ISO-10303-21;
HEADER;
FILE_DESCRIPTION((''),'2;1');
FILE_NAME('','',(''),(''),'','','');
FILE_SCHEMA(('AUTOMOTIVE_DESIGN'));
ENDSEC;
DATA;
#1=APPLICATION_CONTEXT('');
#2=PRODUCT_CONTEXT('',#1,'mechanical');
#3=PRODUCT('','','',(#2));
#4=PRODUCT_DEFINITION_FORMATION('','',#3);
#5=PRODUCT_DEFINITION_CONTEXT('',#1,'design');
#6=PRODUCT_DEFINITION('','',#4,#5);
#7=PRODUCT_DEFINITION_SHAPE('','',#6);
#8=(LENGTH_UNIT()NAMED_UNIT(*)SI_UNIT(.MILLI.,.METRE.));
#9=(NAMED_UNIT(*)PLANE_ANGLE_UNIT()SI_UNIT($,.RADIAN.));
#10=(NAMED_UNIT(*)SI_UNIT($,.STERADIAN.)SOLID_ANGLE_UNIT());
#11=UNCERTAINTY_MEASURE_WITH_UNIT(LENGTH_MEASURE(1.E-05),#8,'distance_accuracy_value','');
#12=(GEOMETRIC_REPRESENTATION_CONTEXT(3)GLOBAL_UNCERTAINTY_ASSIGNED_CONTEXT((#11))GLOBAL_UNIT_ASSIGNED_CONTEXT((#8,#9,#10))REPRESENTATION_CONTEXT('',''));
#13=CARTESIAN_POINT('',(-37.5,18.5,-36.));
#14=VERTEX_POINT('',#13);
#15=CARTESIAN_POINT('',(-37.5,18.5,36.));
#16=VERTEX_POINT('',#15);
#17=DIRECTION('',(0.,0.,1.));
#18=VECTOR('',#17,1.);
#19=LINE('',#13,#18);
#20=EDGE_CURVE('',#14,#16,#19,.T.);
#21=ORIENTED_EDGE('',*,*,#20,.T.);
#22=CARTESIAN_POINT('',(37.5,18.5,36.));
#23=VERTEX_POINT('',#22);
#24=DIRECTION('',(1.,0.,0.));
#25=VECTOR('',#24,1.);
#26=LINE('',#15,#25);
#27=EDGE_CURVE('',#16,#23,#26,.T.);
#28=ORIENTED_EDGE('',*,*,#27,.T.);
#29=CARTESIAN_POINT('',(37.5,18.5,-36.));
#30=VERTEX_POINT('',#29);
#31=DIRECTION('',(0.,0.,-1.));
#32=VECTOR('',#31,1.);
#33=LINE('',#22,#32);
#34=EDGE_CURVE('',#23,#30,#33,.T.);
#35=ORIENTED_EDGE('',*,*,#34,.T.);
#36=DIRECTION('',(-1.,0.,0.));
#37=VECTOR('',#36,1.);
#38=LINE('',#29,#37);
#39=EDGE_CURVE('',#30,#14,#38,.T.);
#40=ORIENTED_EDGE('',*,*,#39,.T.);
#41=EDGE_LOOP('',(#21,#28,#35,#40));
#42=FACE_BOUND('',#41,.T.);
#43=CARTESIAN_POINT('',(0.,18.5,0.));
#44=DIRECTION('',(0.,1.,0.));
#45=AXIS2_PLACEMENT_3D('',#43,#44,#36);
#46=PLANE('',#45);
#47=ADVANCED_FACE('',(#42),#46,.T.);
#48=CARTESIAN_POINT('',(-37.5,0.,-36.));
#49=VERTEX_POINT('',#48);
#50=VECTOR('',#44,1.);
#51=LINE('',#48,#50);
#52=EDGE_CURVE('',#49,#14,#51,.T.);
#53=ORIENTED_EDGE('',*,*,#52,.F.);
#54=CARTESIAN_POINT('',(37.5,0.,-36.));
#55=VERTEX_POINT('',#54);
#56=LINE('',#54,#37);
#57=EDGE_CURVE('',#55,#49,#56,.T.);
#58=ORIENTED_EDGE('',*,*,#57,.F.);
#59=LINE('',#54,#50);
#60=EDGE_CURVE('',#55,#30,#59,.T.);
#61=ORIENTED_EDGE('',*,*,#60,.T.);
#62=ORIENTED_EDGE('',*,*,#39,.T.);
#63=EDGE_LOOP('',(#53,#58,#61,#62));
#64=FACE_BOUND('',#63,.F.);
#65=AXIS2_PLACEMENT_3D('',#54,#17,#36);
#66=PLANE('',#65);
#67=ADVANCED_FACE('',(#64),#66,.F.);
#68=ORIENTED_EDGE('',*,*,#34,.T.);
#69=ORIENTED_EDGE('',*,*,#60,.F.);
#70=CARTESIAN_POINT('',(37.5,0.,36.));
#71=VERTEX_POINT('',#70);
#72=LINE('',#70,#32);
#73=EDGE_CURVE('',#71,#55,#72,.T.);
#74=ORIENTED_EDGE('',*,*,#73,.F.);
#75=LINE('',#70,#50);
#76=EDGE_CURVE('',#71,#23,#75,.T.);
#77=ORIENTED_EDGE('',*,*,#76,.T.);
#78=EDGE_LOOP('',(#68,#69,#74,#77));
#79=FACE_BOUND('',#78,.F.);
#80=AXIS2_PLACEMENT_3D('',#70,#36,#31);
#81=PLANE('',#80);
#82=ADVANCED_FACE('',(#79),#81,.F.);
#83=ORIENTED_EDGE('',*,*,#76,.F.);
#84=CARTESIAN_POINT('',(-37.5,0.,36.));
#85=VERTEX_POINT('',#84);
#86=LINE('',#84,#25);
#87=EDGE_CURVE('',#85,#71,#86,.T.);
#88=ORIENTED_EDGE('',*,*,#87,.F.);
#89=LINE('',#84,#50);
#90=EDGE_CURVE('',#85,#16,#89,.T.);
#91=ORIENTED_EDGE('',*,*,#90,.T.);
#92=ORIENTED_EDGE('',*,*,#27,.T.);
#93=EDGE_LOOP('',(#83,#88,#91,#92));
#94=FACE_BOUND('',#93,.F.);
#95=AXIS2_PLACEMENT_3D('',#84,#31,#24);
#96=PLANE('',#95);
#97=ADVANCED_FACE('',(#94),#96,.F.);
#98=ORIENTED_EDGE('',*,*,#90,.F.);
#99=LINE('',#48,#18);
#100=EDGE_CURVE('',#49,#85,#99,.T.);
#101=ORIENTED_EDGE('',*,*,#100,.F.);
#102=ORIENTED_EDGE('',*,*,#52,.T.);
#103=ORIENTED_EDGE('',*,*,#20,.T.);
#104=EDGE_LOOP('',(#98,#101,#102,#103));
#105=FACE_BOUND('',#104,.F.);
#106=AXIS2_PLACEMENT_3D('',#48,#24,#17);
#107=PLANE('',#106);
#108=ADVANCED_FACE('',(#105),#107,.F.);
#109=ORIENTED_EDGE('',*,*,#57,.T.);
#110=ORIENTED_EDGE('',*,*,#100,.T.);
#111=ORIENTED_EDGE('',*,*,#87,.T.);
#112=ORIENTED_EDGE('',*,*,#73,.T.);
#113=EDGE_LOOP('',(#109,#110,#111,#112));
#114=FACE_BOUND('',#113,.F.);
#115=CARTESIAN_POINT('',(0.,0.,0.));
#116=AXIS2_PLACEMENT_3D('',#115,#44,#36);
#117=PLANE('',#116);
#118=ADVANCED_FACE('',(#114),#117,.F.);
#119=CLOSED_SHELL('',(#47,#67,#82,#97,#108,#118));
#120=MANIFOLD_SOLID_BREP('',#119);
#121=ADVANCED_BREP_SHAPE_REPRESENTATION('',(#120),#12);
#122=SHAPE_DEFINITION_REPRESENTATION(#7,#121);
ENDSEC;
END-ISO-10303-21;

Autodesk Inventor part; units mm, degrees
ref_plane "YZ Plane" through (0, 0, 0) normal (1, 0, 0) x (0, 1, 0)
ref_plane "XZ Plane" through (0, 0, 0) normal (0, 1, 0) x (-1, 0, 0)
ref_plane "XY Plane" through (0, 0, 0) normal (0, 0, 1) x (1, 0, 0)
sketch "Szkic1" plane through (0, 0, 0) normal (0, 1, 0) x (-1, 0, 0)
  line L0 (37.5, 36) -> (-37.5, 36)
  line L1 (-37.5, 36) -> (-37.5, -36)
  line L2 (-37.5, -36) -> (37.5, -36)
  line L3 (37.5, -36) -> (37.5, 36)
  point P0 (0, 0)
  dimension "d0" = 75
  dimension "d1" = 37.5
  dimension "d2" = 72
  dimension "d3" = 36
extrude "Wyciągnięcie proste1" add sketch "Szkic1" along normal blind 18.5
properties part number "Bateria_22V2_Rozlozona"
